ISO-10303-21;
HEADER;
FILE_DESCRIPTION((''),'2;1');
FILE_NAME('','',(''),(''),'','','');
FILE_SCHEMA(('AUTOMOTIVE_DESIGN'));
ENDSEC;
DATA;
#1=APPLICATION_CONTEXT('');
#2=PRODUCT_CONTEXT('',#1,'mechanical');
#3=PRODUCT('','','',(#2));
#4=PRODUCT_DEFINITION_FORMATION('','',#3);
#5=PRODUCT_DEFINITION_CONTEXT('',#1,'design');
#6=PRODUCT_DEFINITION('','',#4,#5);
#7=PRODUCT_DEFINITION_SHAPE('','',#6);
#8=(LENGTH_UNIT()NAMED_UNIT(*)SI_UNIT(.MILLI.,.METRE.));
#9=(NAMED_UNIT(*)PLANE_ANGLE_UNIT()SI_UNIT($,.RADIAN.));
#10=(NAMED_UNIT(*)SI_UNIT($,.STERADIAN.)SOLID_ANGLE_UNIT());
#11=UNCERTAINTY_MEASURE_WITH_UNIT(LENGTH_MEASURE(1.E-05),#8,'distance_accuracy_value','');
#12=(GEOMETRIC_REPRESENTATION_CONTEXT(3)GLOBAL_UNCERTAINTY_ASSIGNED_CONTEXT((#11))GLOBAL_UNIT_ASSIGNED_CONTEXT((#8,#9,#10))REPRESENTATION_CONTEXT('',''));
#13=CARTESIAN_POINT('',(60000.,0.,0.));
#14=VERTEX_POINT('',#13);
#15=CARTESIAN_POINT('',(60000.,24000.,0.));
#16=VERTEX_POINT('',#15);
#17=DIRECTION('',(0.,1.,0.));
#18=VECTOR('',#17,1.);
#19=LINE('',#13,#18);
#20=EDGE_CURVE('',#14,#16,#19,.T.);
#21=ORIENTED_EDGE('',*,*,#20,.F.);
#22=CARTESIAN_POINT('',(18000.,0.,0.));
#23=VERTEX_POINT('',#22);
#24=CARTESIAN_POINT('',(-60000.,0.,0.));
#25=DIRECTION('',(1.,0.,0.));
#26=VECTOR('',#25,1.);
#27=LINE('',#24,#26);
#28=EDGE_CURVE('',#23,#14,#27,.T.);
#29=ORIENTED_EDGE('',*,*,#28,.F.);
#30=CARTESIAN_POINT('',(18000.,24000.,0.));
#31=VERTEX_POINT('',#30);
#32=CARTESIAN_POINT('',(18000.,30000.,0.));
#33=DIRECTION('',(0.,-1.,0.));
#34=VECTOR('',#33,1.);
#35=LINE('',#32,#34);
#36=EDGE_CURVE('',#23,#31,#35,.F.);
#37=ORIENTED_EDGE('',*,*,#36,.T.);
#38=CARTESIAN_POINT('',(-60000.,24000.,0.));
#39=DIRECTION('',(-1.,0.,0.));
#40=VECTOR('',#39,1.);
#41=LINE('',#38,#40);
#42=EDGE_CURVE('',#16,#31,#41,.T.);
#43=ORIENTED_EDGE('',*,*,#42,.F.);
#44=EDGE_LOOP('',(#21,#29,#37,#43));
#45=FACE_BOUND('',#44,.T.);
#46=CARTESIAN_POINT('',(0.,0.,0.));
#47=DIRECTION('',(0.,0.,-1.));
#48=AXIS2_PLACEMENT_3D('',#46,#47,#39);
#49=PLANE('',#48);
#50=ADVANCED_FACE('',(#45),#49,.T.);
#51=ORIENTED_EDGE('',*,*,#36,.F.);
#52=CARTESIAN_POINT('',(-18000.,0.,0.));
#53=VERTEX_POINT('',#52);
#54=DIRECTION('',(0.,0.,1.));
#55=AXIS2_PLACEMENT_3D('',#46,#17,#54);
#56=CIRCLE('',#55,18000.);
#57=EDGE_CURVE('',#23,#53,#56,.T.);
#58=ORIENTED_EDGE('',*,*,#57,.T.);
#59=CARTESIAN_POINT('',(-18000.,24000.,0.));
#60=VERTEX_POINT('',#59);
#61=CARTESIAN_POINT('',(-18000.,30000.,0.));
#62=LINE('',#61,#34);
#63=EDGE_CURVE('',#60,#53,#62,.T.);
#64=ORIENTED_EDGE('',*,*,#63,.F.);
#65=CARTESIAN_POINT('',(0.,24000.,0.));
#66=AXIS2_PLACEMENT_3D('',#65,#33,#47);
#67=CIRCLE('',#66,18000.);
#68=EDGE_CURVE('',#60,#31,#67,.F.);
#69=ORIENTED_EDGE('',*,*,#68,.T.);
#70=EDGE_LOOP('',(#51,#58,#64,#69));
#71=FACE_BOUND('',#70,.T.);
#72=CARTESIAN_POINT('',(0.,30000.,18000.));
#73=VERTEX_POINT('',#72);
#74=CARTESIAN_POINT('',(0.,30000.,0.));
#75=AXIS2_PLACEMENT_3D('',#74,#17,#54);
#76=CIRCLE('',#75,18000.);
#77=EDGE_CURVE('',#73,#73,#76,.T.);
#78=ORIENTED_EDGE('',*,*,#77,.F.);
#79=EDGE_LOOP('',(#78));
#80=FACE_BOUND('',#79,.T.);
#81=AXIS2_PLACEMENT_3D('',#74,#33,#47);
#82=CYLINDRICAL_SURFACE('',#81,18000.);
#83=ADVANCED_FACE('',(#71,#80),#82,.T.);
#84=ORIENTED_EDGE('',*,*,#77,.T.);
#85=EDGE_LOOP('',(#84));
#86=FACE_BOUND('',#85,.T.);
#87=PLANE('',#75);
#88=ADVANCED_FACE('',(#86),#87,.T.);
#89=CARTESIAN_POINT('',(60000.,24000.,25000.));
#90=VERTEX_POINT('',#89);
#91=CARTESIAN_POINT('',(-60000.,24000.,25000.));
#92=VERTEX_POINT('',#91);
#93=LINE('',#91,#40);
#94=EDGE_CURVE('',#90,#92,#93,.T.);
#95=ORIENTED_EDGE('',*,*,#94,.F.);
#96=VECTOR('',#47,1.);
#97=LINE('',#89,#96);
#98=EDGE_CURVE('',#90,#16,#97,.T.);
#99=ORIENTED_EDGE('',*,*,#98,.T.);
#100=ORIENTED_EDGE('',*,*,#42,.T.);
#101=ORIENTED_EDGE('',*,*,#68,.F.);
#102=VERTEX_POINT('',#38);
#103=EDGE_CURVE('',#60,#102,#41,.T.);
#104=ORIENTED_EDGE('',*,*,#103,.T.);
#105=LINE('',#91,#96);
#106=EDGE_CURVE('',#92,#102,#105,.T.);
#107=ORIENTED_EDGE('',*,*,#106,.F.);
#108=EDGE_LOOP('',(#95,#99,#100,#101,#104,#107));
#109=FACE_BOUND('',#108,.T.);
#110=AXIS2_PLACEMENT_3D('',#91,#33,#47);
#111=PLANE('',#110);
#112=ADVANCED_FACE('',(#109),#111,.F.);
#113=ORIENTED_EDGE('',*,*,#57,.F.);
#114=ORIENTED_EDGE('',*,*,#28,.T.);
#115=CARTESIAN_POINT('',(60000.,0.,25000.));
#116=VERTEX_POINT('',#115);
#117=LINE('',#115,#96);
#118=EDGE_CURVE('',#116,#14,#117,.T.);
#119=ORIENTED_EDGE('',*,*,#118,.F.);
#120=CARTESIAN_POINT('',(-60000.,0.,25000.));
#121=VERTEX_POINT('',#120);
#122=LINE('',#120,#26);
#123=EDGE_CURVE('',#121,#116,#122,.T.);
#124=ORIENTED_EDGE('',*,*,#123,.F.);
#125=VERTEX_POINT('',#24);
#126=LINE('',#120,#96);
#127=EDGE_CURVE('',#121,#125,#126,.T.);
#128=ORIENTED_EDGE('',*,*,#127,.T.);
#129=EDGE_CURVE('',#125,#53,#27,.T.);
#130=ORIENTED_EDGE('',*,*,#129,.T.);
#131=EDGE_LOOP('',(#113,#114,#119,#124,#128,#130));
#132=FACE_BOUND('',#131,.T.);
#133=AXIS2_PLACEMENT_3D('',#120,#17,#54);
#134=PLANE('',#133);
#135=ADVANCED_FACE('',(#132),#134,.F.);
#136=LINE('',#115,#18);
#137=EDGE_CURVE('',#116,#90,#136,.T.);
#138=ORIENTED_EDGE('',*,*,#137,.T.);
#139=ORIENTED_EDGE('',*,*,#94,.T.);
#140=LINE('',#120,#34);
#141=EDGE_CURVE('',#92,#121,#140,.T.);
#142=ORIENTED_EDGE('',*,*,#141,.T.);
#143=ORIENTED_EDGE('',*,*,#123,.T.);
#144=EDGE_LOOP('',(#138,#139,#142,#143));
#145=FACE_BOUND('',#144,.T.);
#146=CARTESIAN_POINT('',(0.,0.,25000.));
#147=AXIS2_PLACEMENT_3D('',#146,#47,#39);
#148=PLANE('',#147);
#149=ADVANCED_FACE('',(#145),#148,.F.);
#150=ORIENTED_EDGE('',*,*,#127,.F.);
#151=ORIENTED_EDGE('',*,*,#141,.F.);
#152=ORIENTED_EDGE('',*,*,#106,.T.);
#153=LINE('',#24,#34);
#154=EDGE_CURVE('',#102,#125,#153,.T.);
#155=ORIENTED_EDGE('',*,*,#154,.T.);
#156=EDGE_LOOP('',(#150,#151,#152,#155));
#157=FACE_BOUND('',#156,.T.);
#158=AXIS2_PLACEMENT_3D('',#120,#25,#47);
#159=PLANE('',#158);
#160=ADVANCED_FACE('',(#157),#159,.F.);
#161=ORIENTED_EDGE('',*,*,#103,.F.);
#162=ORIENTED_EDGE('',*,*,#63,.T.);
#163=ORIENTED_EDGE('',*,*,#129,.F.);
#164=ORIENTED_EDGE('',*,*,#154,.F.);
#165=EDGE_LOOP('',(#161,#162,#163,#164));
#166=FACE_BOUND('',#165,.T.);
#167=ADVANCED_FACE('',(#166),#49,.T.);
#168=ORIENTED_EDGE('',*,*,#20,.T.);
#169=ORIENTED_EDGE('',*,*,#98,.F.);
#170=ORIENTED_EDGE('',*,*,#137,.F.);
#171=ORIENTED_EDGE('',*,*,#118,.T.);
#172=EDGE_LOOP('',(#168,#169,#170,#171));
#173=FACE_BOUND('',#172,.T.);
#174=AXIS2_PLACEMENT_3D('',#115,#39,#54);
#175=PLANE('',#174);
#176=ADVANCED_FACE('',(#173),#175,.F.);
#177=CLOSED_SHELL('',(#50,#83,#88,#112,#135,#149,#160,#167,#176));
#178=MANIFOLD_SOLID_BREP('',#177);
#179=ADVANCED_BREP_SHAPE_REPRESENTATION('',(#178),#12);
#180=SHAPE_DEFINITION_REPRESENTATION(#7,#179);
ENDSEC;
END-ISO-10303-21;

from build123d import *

# Parameters (mm, degrees)
SKETCH_1_W      = 120000
SKETCH_1_H      = 24000
EXTRUDE_1_DEPTH = 25000
SKETCH_2_R      = 18000
EXTRUDE_2_DEPTH = 30000


with BuildPart() as part:
    # 草图1 → 凸台-拉伸1 (new body)
    with BuildSketch(Plane.XY):
        with Locations((0, 12000)):
            Rectangle(SKETCH_1_W, SKETCH_1_H)
    extrude(amount=EXTRUDE_1_DEPTH)

    # 草图2 → 凸台-拉伸2 (add)
    with BuildSketch(Plane(origin=(0, 0, 0), x_dir=(1, 0, 0), z_dir=(0, 1, 0))):
        Circle(SKETCH_2_R)
    extrude(amount=EXTRUDE_2_DEPTH)


solid = part.part
